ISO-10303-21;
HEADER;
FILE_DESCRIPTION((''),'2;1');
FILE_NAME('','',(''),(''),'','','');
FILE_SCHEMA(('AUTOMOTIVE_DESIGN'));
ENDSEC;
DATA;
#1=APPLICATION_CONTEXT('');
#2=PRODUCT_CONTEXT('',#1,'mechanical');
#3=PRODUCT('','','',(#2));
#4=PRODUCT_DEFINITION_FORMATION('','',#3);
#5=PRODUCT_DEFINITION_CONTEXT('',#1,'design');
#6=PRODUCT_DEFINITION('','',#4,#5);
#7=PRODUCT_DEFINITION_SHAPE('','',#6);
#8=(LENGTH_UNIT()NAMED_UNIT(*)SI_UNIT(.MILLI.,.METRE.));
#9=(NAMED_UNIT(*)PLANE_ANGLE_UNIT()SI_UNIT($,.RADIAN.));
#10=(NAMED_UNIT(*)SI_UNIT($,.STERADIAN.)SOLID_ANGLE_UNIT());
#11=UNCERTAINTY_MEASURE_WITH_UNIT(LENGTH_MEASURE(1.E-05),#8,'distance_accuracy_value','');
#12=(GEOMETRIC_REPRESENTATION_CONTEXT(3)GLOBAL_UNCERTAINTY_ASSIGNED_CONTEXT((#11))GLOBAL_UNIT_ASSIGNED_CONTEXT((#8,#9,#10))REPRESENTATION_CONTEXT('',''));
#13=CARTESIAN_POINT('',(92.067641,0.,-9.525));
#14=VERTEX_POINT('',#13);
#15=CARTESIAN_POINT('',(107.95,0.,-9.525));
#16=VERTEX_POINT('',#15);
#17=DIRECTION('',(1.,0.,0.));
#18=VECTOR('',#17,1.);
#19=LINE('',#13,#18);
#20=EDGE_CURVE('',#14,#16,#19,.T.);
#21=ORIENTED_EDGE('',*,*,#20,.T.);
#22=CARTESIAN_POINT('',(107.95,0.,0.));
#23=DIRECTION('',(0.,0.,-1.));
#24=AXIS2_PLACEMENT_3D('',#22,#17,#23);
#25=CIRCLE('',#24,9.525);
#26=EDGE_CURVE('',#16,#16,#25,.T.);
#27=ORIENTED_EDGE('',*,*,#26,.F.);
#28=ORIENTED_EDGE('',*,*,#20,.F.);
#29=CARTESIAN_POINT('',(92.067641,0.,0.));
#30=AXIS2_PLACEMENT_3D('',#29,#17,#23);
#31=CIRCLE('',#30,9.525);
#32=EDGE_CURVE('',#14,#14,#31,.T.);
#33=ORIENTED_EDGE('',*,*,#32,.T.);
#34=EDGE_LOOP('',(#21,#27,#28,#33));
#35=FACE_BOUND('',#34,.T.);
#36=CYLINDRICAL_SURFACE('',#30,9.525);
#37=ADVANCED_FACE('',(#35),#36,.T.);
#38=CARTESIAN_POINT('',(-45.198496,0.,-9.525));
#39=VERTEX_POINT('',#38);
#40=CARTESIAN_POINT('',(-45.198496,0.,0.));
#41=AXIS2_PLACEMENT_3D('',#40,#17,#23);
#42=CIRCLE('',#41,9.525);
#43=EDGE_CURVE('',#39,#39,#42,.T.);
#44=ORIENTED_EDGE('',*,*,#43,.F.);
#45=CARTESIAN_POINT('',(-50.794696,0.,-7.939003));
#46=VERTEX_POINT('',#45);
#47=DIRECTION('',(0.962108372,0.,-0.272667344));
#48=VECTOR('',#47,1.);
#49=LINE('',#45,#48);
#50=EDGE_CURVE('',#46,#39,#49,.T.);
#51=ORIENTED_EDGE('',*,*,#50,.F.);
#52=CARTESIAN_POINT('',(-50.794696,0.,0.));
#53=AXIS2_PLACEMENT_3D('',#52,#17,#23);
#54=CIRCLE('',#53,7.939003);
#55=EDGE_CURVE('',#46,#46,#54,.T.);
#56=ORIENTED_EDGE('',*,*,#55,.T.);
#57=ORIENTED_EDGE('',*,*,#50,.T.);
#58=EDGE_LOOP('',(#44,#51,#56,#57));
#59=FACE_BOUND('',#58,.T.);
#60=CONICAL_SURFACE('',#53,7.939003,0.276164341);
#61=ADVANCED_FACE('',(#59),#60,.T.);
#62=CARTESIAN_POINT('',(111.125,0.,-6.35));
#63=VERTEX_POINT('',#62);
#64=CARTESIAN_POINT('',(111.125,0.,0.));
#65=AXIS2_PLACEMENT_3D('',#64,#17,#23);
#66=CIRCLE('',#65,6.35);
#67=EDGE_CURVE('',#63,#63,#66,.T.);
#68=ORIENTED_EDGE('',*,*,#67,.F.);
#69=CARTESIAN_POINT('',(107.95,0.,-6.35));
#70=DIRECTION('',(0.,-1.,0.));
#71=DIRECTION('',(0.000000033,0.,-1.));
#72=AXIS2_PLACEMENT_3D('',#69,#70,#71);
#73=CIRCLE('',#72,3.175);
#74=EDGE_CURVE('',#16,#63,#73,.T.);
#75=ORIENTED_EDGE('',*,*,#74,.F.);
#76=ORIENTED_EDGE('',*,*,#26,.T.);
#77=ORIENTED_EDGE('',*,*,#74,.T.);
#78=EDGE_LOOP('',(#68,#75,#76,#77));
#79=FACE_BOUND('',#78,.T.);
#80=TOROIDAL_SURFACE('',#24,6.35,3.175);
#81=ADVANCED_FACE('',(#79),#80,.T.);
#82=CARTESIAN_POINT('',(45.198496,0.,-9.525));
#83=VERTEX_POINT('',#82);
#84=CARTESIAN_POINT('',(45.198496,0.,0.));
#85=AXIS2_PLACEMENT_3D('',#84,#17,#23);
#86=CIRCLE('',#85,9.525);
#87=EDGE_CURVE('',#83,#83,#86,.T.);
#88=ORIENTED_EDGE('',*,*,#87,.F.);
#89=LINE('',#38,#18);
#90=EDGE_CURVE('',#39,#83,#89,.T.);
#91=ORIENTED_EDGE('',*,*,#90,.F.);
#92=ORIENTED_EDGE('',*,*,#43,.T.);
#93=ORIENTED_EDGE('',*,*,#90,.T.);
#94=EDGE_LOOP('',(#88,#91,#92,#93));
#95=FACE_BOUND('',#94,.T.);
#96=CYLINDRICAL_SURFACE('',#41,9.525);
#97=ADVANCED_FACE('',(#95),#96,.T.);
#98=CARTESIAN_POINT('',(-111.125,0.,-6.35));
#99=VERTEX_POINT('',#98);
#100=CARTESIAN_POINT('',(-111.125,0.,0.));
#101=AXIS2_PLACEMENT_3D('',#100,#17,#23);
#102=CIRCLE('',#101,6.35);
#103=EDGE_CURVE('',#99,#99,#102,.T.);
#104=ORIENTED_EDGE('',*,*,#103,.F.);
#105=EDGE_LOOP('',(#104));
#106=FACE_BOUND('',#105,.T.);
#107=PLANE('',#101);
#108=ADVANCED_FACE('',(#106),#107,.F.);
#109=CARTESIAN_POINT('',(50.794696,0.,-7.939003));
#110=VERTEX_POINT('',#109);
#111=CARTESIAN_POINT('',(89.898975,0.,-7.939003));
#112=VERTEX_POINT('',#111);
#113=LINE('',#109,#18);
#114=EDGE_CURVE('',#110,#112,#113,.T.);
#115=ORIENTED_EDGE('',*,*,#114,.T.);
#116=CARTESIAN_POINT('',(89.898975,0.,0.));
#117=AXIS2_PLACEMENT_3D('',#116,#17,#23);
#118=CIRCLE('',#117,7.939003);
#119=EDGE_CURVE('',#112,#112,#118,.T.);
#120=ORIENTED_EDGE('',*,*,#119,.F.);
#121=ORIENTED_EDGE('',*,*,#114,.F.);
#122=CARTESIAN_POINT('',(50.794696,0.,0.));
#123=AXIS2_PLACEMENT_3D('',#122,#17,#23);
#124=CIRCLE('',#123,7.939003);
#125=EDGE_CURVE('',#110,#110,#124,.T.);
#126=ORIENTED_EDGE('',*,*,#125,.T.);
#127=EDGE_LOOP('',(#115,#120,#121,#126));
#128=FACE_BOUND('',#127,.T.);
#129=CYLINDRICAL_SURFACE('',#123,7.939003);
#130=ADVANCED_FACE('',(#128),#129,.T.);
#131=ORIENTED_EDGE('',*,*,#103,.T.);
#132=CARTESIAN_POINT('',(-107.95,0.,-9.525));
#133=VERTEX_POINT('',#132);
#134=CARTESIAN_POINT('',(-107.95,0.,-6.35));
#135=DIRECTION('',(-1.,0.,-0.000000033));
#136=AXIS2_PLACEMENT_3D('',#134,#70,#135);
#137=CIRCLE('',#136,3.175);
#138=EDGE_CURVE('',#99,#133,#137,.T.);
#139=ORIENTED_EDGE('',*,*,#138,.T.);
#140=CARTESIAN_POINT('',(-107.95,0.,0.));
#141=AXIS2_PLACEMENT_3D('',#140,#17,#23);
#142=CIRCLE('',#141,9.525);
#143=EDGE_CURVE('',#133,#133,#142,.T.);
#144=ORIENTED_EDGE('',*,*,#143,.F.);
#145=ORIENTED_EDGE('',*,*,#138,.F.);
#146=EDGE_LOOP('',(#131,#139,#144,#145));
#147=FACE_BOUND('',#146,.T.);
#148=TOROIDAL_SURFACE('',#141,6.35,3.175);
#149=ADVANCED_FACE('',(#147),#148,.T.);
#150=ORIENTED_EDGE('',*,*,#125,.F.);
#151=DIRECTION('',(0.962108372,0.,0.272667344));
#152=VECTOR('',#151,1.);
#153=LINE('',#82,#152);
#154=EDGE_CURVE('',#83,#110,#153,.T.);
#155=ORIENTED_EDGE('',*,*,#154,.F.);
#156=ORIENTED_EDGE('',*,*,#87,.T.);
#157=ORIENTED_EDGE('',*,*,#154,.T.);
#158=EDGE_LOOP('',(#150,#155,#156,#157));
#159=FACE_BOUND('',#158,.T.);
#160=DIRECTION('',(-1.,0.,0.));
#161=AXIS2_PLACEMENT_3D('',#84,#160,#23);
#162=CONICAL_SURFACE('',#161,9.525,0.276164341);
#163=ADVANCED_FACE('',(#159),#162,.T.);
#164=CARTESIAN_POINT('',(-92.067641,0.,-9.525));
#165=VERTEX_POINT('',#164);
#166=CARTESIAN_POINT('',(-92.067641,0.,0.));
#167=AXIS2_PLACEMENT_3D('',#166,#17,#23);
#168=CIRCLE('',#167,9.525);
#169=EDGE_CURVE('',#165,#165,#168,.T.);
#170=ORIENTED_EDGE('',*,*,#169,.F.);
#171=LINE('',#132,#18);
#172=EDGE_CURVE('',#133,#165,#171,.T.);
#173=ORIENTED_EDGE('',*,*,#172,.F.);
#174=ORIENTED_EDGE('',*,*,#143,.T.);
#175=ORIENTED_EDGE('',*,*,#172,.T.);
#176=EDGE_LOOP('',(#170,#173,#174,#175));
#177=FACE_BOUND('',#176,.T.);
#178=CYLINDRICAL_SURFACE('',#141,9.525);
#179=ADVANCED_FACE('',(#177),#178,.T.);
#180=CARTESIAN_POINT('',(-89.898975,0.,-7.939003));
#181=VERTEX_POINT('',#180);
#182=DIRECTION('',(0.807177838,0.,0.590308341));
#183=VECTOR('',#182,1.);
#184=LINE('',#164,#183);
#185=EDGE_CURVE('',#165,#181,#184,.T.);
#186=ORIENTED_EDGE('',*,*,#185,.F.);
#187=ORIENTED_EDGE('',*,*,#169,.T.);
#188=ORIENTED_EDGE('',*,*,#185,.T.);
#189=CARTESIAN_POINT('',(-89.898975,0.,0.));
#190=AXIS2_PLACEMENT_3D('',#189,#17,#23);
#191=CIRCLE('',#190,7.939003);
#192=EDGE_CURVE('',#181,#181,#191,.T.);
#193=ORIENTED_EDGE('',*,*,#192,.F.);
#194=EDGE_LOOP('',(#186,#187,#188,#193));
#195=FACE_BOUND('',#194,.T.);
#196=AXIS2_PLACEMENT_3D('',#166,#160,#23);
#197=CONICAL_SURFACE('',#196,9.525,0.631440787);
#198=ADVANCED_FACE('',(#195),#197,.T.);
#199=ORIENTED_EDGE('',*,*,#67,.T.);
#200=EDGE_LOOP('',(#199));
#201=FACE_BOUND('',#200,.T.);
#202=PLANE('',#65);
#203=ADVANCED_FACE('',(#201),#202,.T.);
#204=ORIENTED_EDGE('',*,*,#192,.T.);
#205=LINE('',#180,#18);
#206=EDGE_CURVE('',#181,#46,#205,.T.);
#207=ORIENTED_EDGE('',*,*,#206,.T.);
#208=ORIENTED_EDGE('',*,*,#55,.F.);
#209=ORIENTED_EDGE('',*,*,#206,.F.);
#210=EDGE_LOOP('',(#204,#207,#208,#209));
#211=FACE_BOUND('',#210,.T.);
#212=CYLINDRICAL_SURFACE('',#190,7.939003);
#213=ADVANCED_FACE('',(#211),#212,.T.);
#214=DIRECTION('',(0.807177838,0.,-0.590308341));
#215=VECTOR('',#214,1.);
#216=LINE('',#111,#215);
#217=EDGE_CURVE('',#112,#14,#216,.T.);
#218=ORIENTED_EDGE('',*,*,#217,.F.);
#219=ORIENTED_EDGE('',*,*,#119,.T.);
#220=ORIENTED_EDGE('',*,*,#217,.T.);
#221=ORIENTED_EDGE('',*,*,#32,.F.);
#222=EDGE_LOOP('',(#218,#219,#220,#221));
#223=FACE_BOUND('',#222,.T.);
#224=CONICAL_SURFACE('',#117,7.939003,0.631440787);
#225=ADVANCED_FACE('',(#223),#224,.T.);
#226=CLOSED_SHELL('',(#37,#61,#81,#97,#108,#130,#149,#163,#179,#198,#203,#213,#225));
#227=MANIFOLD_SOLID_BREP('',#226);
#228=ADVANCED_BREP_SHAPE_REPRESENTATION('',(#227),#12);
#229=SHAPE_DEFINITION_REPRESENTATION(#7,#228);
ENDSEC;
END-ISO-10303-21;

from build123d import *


with BuildPart() as f1:
    # F0 (on Front) → F1 (revolve)
    with BuildSketch(Plane.XZ):
        with BuildLine():
            Line((92.067641, -9.525), (107.95, -9.525))
            ThreePointArc((107.95, -9.525), (110.195064, -8.595064), (111.125, -6.35))
            Line((111.125, -6.35), (111.125, 0))
            Line((111.125, 0), (-111.125, 0))
            Line((-111.125, 0), (-111.125, -6.35))
            ThreePointArc((-111.125, -6.35), (-110.195064, -8.595064), (-107.95, -9.525))
            Line((-107.95, -9.525), (-92.067641, -9.525))
            Line((-92.067641, -9.525), (-89.898975, -7.939003))
            Line((-89.898975, -7.939003), (-50.794696, -7.939003))
            Line((-50.794696, -7.939003), (-45.198496, -9.525))
            Line((-45.198496, -9.525), (45.198496, -9.525))
            Line((45.198496, -9.525), (50.794696, -7.939003))
            Line((50.794696, -7.939003), (89.898975, -7.939003))
            Line((89.898975, -7.939003), (92.067641, -9.525))
        make_face()
    revolve(axis=Axis((0, 0, 0), (1, 0, 0)))


solid = f1.part
